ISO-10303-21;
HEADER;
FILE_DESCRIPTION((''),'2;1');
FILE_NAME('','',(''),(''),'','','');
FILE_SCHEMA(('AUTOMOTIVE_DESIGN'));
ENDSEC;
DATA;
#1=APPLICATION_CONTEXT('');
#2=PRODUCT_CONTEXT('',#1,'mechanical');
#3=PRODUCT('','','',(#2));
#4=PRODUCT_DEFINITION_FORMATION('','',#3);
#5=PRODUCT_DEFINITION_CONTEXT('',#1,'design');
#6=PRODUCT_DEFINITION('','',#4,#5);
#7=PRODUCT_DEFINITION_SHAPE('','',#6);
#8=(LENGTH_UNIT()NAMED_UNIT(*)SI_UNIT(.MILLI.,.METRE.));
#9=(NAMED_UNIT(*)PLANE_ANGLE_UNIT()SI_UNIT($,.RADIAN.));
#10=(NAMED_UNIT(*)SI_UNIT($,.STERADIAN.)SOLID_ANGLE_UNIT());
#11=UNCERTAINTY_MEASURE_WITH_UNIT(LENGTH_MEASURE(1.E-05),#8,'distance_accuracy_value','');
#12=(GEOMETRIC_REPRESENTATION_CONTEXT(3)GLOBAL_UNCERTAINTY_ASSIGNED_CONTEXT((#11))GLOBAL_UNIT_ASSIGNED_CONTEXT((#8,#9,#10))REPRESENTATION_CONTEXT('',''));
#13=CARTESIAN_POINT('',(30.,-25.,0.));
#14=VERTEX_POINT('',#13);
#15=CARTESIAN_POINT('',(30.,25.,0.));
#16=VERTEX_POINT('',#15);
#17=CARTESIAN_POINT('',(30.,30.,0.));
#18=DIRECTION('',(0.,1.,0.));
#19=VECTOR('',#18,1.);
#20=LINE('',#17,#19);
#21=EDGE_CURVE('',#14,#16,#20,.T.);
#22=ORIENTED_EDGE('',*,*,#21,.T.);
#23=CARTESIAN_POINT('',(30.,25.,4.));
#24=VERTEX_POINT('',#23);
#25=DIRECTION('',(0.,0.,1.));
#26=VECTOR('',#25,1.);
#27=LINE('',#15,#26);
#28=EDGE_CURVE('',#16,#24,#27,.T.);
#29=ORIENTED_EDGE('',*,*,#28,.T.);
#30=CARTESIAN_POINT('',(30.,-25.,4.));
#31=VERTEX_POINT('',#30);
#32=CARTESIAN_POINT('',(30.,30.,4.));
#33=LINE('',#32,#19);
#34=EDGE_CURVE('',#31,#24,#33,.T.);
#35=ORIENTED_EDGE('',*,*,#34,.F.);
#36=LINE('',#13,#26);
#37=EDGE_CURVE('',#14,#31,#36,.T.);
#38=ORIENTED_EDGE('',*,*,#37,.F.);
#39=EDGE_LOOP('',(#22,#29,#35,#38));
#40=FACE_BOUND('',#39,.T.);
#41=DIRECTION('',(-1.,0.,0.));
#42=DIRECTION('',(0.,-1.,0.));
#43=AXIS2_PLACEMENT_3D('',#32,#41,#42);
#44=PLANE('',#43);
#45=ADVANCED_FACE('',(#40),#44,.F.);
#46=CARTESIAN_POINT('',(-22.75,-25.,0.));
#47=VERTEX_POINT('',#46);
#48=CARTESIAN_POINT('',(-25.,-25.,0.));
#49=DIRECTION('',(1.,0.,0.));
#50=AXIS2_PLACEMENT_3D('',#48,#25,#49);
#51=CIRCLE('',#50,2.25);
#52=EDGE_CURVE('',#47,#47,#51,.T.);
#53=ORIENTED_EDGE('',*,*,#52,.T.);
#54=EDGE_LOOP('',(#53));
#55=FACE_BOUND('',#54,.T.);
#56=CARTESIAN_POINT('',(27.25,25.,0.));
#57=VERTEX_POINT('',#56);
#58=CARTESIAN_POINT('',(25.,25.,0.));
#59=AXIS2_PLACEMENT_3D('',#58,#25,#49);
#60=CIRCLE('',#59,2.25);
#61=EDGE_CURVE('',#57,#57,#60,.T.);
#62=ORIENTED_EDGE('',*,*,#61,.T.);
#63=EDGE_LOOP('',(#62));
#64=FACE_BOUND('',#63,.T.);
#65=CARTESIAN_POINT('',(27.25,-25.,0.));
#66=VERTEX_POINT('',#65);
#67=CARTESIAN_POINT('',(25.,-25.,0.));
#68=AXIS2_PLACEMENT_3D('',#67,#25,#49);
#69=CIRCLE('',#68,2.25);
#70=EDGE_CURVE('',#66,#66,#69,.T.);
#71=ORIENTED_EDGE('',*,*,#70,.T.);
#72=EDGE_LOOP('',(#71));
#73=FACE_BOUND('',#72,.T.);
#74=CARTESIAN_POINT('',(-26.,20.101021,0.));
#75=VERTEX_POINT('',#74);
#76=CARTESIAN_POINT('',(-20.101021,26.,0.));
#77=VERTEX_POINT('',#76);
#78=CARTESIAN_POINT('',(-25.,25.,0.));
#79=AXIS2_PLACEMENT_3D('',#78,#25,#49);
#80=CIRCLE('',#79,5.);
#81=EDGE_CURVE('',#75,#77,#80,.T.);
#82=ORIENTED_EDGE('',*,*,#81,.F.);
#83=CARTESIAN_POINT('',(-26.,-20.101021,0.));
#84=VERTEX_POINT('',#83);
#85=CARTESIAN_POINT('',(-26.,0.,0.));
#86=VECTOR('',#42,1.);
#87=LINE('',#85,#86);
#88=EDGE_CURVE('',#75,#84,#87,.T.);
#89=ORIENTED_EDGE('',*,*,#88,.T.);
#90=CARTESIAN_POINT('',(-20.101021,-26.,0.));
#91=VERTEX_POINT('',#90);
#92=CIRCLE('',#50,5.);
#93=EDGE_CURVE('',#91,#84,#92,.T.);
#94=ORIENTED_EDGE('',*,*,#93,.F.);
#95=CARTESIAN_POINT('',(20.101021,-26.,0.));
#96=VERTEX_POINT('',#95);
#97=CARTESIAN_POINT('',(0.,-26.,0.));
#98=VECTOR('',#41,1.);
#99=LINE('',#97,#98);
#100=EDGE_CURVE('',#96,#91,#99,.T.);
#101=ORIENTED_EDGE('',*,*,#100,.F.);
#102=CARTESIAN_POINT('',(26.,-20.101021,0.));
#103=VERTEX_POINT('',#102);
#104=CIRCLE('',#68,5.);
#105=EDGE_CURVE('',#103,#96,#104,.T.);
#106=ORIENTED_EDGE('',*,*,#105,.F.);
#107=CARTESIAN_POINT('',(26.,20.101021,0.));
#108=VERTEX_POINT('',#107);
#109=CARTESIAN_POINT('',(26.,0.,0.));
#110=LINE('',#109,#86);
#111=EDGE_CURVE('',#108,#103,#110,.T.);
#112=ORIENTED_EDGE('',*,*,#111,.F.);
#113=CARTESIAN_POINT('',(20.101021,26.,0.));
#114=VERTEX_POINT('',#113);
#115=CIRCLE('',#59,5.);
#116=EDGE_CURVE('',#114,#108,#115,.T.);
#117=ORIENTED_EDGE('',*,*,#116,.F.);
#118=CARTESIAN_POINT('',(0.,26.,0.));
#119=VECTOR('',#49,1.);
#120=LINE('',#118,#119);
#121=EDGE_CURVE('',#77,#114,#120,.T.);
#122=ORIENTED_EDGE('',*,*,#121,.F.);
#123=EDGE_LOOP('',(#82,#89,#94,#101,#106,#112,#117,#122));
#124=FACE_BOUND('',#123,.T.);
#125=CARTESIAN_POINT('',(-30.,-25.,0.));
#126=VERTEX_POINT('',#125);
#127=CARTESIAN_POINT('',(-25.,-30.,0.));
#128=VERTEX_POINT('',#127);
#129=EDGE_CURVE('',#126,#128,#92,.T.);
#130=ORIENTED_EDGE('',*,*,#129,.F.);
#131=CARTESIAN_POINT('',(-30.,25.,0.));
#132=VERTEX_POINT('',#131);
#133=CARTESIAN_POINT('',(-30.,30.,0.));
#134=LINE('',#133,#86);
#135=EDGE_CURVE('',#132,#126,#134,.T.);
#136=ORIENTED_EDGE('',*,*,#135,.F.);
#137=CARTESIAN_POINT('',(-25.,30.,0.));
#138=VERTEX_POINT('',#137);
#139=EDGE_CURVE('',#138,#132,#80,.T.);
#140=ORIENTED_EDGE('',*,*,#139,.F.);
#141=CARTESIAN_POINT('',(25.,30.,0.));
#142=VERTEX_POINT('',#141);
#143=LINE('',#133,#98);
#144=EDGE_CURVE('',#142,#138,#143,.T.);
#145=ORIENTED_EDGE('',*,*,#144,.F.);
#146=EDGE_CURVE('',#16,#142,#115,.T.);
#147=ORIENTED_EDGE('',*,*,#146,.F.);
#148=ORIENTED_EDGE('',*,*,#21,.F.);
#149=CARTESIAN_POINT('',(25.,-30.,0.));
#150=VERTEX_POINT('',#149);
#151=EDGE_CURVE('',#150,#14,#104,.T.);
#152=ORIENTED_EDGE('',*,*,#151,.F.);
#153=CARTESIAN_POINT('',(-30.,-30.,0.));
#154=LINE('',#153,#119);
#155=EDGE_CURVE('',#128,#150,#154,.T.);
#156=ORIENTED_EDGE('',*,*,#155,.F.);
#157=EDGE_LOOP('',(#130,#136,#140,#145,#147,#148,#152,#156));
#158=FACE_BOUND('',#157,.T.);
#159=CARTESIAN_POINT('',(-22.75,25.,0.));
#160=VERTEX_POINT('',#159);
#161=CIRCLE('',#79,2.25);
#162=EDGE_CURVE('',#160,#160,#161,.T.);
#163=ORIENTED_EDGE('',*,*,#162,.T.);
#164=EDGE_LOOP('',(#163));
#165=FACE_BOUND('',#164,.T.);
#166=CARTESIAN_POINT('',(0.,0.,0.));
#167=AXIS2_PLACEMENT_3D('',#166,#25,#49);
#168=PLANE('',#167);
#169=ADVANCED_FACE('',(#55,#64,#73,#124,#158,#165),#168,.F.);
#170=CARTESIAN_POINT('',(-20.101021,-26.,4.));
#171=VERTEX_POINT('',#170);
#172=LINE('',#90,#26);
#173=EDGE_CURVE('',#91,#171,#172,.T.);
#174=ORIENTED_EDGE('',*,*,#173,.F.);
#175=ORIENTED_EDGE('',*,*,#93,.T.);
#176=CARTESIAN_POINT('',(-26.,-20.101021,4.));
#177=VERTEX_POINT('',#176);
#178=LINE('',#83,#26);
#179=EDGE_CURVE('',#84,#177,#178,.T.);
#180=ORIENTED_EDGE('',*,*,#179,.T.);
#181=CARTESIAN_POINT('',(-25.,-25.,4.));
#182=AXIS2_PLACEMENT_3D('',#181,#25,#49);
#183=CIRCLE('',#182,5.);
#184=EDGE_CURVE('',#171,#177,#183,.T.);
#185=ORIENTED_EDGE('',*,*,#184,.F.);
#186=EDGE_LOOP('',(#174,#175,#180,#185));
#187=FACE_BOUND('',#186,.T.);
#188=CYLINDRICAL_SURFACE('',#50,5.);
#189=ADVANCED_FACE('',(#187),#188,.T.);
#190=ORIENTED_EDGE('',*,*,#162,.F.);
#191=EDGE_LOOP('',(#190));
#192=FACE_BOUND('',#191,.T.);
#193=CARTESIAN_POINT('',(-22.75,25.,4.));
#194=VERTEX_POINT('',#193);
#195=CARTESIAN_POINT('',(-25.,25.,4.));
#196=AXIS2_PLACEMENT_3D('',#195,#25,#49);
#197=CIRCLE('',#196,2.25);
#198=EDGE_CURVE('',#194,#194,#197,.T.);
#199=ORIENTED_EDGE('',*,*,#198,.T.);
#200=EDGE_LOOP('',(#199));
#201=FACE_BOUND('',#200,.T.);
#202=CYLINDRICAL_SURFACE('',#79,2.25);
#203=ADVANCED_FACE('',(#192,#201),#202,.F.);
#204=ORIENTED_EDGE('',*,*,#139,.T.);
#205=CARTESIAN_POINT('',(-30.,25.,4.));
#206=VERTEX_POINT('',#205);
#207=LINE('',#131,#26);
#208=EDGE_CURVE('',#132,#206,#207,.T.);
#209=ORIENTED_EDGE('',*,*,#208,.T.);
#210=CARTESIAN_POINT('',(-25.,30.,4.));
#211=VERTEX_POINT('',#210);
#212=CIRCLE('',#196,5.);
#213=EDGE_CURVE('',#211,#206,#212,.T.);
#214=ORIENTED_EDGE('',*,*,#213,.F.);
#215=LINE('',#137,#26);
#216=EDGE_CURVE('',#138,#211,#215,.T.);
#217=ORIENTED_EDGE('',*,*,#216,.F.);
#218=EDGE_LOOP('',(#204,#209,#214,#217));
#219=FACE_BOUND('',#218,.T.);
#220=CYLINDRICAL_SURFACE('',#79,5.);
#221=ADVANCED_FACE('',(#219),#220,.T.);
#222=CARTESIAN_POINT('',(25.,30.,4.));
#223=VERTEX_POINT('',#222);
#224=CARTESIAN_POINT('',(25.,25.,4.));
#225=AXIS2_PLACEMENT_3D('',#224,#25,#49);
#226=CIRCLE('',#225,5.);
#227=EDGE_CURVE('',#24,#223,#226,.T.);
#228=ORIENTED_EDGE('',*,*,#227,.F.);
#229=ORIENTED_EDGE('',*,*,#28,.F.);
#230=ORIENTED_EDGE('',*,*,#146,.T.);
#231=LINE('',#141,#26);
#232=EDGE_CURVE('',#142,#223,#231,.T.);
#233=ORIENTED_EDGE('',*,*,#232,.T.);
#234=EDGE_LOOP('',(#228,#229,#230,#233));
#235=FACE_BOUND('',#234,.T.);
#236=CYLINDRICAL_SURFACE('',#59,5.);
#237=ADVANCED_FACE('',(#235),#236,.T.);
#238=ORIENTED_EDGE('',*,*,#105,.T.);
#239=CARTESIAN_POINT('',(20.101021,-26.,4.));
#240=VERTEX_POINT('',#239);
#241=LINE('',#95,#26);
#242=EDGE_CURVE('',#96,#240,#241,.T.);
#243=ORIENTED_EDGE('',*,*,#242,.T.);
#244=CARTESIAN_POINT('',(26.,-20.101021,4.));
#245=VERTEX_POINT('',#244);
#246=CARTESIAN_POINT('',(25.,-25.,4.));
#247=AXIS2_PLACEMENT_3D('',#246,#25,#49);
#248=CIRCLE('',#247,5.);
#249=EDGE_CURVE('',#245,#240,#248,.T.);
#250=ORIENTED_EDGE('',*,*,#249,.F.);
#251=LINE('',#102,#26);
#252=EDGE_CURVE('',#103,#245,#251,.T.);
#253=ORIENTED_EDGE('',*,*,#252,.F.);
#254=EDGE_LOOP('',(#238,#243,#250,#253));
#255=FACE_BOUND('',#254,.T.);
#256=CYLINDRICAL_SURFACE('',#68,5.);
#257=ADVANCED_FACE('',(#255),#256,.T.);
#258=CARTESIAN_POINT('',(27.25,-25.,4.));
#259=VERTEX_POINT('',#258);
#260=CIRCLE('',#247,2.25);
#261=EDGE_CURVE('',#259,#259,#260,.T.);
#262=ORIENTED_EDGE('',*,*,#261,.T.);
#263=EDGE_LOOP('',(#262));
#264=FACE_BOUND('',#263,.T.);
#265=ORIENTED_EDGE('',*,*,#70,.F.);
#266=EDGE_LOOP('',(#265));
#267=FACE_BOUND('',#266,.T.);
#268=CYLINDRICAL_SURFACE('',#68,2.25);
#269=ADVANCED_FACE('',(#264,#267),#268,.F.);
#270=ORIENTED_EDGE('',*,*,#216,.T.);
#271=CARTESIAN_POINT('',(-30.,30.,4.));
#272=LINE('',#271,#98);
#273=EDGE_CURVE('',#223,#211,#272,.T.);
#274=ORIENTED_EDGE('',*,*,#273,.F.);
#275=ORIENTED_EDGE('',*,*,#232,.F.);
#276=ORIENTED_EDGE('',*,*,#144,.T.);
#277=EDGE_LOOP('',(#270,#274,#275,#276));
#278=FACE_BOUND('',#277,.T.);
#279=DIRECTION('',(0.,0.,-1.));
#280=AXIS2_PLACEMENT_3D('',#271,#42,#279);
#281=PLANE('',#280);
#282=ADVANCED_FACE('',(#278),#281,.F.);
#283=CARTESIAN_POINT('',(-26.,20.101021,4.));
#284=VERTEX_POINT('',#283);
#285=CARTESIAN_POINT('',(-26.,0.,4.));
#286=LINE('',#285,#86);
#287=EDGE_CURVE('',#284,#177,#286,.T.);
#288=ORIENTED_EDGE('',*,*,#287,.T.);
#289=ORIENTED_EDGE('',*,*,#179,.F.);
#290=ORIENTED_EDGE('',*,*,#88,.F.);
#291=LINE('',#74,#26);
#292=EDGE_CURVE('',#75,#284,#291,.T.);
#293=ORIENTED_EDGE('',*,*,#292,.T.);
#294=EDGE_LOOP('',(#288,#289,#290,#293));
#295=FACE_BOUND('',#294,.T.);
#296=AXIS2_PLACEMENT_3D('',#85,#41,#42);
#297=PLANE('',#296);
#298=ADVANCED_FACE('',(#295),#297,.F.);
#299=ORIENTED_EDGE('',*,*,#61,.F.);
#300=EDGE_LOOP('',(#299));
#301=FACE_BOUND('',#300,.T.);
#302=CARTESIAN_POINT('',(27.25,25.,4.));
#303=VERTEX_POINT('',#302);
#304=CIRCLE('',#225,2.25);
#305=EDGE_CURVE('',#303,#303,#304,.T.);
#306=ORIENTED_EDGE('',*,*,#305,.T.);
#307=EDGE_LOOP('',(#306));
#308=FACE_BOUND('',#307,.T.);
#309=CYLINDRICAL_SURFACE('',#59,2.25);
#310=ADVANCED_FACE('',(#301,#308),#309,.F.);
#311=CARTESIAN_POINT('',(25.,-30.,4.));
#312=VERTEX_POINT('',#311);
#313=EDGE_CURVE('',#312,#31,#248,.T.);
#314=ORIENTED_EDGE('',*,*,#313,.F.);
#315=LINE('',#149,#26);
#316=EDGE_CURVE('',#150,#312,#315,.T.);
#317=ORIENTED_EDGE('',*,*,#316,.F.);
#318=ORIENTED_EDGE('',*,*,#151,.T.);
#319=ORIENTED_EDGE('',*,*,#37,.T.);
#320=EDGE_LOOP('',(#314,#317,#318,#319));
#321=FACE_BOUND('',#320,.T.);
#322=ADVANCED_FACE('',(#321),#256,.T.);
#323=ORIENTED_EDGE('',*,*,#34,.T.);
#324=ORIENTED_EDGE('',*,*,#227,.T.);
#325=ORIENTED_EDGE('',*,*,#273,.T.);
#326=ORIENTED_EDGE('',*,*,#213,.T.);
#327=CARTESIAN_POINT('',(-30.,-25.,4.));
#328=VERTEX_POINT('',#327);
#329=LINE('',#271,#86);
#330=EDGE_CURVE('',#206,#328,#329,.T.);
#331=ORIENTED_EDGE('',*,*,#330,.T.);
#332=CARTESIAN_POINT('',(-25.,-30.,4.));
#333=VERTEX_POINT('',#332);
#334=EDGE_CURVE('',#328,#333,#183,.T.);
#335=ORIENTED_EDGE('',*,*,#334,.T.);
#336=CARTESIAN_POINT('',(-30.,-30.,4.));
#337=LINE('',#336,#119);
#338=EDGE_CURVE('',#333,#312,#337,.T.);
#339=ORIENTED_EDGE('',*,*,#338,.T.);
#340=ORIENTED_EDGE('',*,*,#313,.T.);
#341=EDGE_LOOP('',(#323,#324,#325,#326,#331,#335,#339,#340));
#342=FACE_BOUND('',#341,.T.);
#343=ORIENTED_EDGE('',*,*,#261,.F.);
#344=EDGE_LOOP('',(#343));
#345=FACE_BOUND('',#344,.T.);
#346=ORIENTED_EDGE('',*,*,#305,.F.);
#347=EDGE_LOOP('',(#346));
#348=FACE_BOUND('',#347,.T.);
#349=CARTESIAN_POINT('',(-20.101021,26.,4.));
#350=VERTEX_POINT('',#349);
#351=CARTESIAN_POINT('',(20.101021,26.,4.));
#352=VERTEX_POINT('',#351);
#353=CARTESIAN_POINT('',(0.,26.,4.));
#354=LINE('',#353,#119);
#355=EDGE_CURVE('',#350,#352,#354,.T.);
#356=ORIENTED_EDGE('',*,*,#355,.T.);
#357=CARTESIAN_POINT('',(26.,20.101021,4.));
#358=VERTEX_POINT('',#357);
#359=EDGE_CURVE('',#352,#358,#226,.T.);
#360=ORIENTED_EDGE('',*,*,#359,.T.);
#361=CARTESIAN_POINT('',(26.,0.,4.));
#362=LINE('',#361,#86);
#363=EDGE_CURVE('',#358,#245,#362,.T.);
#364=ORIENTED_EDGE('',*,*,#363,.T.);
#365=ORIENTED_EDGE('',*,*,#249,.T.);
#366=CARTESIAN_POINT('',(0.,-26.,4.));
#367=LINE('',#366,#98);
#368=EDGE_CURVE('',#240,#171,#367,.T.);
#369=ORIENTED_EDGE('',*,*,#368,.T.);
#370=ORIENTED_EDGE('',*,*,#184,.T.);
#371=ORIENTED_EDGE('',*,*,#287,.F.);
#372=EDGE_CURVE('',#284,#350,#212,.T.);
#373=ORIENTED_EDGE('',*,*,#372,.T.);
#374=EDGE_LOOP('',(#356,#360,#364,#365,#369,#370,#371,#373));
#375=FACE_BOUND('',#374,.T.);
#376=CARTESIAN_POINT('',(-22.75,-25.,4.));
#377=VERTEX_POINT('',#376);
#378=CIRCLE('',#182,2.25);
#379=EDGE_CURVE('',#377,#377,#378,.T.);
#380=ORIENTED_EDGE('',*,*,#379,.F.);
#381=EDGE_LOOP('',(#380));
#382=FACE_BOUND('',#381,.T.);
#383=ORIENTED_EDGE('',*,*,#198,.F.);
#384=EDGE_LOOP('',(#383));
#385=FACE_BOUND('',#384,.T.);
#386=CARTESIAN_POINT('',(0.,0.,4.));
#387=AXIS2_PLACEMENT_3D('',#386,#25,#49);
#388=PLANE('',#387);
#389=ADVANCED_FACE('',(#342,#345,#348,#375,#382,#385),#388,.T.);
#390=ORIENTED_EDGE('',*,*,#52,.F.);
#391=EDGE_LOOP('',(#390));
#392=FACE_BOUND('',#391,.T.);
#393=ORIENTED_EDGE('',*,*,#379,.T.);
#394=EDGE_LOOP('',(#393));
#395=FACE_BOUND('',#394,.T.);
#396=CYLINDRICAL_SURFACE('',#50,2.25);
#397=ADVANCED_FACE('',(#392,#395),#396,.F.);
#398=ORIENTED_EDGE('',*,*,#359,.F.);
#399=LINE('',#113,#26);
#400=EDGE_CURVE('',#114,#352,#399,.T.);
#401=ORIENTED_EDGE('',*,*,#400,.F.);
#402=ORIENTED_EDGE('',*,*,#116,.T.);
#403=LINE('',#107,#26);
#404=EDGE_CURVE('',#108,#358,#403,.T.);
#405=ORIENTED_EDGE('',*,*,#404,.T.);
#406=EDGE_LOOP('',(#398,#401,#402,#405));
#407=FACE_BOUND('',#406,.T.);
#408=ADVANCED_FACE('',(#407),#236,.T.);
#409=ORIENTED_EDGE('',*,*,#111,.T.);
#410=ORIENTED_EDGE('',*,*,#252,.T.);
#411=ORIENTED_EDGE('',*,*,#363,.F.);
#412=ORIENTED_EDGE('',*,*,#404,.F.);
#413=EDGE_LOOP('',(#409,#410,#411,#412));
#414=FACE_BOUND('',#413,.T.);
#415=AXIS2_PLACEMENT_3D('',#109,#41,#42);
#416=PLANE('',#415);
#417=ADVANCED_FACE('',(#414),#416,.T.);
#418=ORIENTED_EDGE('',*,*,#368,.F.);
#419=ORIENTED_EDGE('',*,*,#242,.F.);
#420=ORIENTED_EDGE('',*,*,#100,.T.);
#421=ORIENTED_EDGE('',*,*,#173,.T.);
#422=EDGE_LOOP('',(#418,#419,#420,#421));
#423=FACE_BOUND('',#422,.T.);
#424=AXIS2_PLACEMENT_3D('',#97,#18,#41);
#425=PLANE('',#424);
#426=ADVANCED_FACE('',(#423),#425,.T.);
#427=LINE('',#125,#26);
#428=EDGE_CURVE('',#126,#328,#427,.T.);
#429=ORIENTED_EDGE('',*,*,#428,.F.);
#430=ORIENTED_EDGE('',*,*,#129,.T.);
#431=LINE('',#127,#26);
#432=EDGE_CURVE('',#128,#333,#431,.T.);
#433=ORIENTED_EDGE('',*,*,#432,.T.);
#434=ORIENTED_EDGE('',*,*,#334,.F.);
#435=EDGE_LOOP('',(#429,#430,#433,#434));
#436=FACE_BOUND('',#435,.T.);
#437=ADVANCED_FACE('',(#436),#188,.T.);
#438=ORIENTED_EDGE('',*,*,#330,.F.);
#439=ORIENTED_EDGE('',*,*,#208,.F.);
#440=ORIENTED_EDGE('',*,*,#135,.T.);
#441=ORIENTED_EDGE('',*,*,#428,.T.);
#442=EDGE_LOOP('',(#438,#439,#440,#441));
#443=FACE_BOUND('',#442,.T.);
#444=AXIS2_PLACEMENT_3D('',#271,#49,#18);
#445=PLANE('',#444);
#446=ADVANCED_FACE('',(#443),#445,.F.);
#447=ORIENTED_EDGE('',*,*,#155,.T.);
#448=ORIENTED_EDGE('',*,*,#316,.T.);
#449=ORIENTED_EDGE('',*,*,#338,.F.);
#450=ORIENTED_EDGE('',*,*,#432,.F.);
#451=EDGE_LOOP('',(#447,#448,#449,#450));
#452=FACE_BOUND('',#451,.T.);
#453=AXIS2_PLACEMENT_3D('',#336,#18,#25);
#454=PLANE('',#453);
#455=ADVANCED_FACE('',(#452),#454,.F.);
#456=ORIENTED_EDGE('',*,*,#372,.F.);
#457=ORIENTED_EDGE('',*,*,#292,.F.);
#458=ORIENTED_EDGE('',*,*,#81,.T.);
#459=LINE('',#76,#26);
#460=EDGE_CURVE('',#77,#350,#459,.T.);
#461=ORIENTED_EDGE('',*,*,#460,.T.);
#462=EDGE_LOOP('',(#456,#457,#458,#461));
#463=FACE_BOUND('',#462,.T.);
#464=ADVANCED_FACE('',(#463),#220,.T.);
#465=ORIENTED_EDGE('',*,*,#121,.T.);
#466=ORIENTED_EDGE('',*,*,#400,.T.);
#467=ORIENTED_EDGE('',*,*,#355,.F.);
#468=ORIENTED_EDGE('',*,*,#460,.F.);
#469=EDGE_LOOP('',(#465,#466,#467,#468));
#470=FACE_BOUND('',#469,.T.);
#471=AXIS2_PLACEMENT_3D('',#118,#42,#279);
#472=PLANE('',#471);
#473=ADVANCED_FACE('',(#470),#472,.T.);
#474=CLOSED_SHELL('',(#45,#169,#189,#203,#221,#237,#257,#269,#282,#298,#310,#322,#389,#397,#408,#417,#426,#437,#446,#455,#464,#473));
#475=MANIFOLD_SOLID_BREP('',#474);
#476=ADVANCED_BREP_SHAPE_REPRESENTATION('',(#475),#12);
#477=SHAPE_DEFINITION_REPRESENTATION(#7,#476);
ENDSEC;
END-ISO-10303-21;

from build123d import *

# Parameters (mm, degrees)
SKETCH1_W           = 60
SKETCH1_H           = 60
BOSS_EXTRUDE1_DEPTH = 4
SKETCH2_R           = 2.25
CUT_EXTRUDE1_DEPTH  = 4
CUT_EXTRUDE2_DEPTH  = 4


with BuildPart() as part:
    # Sketch1 → Boss-Extrude1 (new body)
    with BuildSketch(Plane.XY):
        Rectangle(SKETCH1_W, SKETCH1_H)
    extrude(amount=BOSS_EXTRUDE1_DEPTH)

    # Sketch2 → Cut-Extrude1 (cut)
    with BuildSketch(Plane.XY.offset(4)):
        with Locations((-25, 25)):
            Circle(SKETCH2_R)
        with Locations((25, 25)):
            Circle(SKETCH2_R)
        with Locations((25, -25)):
            Circle(SKETCH2_R)
        with Locations((-25, -25)):
            Circle(SKETCH2_R)
    extrude(amount=-CUT_EXTRUDE1_DEPTH, mode=Mode.SUBTRACT)

    # Sketch3 → Cut-Extrude2 (cut)
    with BuildSketch(Plane.XY.offset(4)):
        with BuildLine():
            Line((-25, 30), (-30, 30))
            Line((-30, 30), (-30, 25))
            ThreePointArc((-30, 25), (-28.535533906, 28.535533906), (-25, 30))
        make_face()
        with BuildLine():
            ThreePointArc((20.101020514, 26), (21.464466094, 21.464466094), (26, 20.101020514))
            Line((26, 20.101020514), (26, -20.101020514))
            ThreePointArc((26, -20.101020514), (21.464466094, -21.464466094), (20.101020514, -26))
            Line((20.101020514, -26), (-20.101020514, -26))
            ThreePointArc((-20.101020514, -26), (-21.464466094, -21.464466094), (-26, -20.101020514))
            Line((-26, -20.101020514), (-26, 20.101020514))
            ThreePointArc((-26, 20.101020514), (-21.464466094, 21.464466094), (-20.101020514, 26))
            Line((-20.101020514, 26), (20.101020514, 26))
        make_face()
        with BuildLine():
            Line((30, 30), (25, 30))
            ThreePointArc((25, 30), (28.535533906, 28.535533906), (30, 25))
            Line((30, 25), (30, 30))
        make_face()
        with BuildLine():
            ThreePointArc((30, -25), (28.535533906, -28.535533906), (25, -30))
            Line((25, -30), (30, -30))
            Line((30, -30), (30, -25))
        make_face()
        with BuildLine():
            ThreePointArc((-25, -30), (-28.535533906, -28.535533906), (-30, -25))
            Line((-30, -25), (-30, -30))
            Line((-30, -30), (-25, -30))
        make_face()
    extrude(amount=-CUT_EXTRUDE2_DEPTH, mode=Mode.SUBTRACT)


solid = part.part
